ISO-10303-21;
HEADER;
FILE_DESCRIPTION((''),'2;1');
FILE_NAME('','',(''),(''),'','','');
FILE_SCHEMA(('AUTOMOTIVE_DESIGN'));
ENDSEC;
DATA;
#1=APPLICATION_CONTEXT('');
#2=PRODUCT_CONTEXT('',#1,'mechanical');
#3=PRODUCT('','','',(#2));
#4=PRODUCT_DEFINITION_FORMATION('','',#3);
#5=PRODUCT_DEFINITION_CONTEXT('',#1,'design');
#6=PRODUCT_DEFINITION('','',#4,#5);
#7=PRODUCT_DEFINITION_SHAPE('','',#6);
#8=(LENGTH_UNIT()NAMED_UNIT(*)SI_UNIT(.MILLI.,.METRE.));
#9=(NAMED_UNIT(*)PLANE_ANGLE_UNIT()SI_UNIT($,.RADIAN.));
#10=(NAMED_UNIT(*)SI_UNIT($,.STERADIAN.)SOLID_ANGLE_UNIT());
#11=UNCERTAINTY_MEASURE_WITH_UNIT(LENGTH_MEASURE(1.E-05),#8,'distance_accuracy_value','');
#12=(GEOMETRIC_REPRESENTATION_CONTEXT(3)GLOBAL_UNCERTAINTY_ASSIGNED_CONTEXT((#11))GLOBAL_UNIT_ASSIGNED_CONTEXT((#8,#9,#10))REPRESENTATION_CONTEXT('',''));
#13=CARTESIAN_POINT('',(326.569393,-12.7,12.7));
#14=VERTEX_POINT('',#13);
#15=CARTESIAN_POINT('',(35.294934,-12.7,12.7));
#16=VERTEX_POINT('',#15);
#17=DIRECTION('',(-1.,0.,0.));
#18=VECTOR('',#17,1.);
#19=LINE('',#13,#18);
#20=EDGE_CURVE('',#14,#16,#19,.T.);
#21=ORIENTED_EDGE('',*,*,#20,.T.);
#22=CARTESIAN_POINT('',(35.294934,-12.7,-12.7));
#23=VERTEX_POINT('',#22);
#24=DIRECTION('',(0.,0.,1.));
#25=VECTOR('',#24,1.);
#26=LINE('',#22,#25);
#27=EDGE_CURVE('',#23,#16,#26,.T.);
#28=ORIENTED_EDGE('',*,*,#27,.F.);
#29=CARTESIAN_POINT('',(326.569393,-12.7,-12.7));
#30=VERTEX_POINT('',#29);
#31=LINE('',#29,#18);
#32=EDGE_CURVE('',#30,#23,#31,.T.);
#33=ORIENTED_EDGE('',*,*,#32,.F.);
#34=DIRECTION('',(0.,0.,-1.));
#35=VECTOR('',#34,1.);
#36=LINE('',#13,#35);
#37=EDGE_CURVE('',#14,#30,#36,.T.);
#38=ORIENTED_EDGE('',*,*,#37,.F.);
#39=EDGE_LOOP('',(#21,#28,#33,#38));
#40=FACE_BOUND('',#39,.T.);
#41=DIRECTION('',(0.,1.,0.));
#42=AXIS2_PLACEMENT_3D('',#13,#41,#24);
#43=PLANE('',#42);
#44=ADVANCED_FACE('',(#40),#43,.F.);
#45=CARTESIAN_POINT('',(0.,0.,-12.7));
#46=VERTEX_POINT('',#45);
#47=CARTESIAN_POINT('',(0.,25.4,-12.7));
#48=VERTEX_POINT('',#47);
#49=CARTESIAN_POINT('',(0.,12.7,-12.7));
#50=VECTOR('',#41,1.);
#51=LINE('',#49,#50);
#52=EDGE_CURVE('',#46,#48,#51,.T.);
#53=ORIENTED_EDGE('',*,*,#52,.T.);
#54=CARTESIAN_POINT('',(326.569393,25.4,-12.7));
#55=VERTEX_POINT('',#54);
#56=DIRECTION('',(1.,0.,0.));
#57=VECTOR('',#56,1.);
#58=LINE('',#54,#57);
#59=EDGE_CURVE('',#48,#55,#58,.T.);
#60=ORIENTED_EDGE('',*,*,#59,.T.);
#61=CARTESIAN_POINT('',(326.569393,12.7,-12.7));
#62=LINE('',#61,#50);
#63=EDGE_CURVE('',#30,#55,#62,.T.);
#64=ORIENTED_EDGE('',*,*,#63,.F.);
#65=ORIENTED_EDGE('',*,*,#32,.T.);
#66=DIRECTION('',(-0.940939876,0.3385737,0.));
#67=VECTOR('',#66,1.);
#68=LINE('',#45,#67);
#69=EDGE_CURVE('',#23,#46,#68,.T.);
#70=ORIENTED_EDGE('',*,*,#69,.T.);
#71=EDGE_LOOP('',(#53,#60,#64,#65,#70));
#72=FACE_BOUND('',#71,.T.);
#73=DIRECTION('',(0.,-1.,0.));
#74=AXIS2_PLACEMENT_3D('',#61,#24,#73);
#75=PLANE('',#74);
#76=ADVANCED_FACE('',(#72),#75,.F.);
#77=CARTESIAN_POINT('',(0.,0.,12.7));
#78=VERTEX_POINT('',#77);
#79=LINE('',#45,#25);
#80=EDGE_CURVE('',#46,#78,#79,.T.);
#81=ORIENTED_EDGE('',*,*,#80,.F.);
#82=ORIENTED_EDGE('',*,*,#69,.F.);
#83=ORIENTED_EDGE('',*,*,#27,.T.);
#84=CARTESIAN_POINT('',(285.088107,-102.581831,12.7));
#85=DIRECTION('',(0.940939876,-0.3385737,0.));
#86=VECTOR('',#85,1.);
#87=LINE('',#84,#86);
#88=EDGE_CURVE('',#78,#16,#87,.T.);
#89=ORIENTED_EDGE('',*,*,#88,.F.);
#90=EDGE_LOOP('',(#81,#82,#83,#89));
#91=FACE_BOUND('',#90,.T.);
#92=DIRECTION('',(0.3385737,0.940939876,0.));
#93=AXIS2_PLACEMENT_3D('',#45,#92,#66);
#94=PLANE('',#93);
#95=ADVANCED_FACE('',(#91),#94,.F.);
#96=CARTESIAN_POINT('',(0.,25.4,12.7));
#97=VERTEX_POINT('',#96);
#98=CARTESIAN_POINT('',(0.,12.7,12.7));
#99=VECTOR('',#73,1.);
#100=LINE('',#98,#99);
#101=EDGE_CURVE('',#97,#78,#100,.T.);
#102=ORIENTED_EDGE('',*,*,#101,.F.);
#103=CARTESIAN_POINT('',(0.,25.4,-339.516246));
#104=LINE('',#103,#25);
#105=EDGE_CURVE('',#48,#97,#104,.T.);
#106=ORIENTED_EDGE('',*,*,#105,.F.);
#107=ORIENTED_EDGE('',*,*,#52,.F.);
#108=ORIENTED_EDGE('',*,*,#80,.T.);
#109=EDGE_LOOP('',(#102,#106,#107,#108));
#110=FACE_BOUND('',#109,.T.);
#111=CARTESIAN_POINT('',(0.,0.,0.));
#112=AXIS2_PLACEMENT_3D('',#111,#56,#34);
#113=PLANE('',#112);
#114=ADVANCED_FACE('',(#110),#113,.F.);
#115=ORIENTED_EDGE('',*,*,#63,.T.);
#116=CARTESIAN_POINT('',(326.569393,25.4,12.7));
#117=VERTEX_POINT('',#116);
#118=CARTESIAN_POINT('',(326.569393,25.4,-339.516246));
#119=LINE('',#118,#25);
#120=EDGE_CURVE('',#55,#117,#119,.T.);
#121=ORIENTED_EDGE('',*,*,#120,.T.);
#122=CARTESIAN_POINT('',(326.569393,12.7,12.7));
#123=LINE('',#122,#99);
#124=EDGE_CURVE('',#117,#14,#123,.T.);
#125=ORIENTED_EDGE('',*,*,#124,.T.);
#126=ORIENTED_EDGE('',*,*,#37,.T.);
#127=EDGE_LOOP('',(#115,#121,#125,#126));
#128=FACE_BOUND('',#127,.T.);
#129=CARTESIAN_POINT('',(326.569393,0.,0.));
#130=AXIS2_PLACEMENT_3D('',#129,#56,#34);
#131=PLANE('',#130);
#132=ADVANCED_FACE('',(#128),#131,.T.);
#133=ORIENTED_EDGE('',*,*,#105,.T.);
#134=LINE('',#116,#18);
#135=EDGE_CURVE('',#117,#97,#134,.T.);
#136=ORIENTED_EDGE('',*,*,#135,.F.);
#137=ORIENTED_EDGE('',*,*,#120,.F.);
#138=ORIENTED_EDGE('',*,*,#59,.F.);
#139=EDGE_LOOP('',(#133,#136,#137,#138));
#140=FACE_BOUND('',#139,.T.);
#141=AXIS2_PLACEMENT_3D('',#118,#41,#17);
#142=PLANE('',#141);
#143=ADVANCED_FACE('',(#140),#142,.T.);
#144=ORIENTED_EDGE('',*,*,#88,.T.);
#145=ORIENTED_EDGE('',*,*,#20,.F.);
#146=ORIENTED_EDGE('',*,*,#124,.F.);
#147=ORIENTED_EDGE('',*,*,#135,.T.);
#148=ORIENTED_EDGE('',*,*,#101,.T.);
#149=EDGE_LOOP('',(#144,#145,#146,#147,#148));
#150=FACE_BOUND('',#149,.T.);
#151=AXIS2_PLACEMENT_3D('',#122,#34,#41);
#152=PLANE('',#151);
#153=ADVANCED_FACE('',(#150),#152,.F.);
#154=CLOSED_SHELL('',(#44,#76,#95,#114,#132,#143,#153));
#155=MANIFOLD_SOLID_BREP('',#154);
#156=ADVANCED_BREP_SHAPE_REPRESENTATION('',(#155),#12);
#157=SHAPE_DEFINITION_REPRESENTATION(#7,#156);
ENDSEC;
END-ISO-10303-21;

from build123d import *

# Parameters (mm, degrees)
SKETCH1_W               = 25.4
SKETCH1_H               = 25.4
BOSS_EXTRUDE1_DEPTH     = 326.569392859
CUT_EXTRUDE1_DEPTH      = 328.80179736
CUT_EXTRUDE1_DEPTH_BACK = 328.80179736
SKETCH3_W               = 326.569392859
SKETCH3_H               = 12.7
BOSS_EXTRUDE2_DEPTH     = 25.4


with BuildPart() as part:
    # Sketch1 → Boss-Extrude1 (new body)
    with BuildSketch(Plane(origin=(0, 0, 0), x_dir=(0, 0, -1), z_dir=(1, 0, 0))):
        Rectangle(SKETCH1_W, SKETCH1_H)
    extrude(amount=BOSS_EXTRUDE1_DEPTH)

    # Sketch2 → Cut-Extrude1 (cut, two sides: drawn at the far end of the back side and taken through both)
    with BuildSketch(Plane.XY.offset(12.7).offset(-CUT_EXTRUDE1_DEPTH_BACK)):
        Polygon((0, -12.7), (0, 0), (35.294934027, -12.7), align=None)
    extrude(amount=CUT_EXTRUDE1_DEPTH + CUT_EXTRUDE1_DEPTH_BACK, mode=Mode.SUBTRACT)

    # Sketch3 → Boss-Extrude2 (add)
    with BuildSketch(Plane.XY.offset(12.7)):
        with Locations((163.28469643, 19.05)):
            Rectangle(SKETCH3_W, SKETCH3_H)
    extrude(amount=-BOSS_EXTRUDE2_DEPTH)


solid = part.part
